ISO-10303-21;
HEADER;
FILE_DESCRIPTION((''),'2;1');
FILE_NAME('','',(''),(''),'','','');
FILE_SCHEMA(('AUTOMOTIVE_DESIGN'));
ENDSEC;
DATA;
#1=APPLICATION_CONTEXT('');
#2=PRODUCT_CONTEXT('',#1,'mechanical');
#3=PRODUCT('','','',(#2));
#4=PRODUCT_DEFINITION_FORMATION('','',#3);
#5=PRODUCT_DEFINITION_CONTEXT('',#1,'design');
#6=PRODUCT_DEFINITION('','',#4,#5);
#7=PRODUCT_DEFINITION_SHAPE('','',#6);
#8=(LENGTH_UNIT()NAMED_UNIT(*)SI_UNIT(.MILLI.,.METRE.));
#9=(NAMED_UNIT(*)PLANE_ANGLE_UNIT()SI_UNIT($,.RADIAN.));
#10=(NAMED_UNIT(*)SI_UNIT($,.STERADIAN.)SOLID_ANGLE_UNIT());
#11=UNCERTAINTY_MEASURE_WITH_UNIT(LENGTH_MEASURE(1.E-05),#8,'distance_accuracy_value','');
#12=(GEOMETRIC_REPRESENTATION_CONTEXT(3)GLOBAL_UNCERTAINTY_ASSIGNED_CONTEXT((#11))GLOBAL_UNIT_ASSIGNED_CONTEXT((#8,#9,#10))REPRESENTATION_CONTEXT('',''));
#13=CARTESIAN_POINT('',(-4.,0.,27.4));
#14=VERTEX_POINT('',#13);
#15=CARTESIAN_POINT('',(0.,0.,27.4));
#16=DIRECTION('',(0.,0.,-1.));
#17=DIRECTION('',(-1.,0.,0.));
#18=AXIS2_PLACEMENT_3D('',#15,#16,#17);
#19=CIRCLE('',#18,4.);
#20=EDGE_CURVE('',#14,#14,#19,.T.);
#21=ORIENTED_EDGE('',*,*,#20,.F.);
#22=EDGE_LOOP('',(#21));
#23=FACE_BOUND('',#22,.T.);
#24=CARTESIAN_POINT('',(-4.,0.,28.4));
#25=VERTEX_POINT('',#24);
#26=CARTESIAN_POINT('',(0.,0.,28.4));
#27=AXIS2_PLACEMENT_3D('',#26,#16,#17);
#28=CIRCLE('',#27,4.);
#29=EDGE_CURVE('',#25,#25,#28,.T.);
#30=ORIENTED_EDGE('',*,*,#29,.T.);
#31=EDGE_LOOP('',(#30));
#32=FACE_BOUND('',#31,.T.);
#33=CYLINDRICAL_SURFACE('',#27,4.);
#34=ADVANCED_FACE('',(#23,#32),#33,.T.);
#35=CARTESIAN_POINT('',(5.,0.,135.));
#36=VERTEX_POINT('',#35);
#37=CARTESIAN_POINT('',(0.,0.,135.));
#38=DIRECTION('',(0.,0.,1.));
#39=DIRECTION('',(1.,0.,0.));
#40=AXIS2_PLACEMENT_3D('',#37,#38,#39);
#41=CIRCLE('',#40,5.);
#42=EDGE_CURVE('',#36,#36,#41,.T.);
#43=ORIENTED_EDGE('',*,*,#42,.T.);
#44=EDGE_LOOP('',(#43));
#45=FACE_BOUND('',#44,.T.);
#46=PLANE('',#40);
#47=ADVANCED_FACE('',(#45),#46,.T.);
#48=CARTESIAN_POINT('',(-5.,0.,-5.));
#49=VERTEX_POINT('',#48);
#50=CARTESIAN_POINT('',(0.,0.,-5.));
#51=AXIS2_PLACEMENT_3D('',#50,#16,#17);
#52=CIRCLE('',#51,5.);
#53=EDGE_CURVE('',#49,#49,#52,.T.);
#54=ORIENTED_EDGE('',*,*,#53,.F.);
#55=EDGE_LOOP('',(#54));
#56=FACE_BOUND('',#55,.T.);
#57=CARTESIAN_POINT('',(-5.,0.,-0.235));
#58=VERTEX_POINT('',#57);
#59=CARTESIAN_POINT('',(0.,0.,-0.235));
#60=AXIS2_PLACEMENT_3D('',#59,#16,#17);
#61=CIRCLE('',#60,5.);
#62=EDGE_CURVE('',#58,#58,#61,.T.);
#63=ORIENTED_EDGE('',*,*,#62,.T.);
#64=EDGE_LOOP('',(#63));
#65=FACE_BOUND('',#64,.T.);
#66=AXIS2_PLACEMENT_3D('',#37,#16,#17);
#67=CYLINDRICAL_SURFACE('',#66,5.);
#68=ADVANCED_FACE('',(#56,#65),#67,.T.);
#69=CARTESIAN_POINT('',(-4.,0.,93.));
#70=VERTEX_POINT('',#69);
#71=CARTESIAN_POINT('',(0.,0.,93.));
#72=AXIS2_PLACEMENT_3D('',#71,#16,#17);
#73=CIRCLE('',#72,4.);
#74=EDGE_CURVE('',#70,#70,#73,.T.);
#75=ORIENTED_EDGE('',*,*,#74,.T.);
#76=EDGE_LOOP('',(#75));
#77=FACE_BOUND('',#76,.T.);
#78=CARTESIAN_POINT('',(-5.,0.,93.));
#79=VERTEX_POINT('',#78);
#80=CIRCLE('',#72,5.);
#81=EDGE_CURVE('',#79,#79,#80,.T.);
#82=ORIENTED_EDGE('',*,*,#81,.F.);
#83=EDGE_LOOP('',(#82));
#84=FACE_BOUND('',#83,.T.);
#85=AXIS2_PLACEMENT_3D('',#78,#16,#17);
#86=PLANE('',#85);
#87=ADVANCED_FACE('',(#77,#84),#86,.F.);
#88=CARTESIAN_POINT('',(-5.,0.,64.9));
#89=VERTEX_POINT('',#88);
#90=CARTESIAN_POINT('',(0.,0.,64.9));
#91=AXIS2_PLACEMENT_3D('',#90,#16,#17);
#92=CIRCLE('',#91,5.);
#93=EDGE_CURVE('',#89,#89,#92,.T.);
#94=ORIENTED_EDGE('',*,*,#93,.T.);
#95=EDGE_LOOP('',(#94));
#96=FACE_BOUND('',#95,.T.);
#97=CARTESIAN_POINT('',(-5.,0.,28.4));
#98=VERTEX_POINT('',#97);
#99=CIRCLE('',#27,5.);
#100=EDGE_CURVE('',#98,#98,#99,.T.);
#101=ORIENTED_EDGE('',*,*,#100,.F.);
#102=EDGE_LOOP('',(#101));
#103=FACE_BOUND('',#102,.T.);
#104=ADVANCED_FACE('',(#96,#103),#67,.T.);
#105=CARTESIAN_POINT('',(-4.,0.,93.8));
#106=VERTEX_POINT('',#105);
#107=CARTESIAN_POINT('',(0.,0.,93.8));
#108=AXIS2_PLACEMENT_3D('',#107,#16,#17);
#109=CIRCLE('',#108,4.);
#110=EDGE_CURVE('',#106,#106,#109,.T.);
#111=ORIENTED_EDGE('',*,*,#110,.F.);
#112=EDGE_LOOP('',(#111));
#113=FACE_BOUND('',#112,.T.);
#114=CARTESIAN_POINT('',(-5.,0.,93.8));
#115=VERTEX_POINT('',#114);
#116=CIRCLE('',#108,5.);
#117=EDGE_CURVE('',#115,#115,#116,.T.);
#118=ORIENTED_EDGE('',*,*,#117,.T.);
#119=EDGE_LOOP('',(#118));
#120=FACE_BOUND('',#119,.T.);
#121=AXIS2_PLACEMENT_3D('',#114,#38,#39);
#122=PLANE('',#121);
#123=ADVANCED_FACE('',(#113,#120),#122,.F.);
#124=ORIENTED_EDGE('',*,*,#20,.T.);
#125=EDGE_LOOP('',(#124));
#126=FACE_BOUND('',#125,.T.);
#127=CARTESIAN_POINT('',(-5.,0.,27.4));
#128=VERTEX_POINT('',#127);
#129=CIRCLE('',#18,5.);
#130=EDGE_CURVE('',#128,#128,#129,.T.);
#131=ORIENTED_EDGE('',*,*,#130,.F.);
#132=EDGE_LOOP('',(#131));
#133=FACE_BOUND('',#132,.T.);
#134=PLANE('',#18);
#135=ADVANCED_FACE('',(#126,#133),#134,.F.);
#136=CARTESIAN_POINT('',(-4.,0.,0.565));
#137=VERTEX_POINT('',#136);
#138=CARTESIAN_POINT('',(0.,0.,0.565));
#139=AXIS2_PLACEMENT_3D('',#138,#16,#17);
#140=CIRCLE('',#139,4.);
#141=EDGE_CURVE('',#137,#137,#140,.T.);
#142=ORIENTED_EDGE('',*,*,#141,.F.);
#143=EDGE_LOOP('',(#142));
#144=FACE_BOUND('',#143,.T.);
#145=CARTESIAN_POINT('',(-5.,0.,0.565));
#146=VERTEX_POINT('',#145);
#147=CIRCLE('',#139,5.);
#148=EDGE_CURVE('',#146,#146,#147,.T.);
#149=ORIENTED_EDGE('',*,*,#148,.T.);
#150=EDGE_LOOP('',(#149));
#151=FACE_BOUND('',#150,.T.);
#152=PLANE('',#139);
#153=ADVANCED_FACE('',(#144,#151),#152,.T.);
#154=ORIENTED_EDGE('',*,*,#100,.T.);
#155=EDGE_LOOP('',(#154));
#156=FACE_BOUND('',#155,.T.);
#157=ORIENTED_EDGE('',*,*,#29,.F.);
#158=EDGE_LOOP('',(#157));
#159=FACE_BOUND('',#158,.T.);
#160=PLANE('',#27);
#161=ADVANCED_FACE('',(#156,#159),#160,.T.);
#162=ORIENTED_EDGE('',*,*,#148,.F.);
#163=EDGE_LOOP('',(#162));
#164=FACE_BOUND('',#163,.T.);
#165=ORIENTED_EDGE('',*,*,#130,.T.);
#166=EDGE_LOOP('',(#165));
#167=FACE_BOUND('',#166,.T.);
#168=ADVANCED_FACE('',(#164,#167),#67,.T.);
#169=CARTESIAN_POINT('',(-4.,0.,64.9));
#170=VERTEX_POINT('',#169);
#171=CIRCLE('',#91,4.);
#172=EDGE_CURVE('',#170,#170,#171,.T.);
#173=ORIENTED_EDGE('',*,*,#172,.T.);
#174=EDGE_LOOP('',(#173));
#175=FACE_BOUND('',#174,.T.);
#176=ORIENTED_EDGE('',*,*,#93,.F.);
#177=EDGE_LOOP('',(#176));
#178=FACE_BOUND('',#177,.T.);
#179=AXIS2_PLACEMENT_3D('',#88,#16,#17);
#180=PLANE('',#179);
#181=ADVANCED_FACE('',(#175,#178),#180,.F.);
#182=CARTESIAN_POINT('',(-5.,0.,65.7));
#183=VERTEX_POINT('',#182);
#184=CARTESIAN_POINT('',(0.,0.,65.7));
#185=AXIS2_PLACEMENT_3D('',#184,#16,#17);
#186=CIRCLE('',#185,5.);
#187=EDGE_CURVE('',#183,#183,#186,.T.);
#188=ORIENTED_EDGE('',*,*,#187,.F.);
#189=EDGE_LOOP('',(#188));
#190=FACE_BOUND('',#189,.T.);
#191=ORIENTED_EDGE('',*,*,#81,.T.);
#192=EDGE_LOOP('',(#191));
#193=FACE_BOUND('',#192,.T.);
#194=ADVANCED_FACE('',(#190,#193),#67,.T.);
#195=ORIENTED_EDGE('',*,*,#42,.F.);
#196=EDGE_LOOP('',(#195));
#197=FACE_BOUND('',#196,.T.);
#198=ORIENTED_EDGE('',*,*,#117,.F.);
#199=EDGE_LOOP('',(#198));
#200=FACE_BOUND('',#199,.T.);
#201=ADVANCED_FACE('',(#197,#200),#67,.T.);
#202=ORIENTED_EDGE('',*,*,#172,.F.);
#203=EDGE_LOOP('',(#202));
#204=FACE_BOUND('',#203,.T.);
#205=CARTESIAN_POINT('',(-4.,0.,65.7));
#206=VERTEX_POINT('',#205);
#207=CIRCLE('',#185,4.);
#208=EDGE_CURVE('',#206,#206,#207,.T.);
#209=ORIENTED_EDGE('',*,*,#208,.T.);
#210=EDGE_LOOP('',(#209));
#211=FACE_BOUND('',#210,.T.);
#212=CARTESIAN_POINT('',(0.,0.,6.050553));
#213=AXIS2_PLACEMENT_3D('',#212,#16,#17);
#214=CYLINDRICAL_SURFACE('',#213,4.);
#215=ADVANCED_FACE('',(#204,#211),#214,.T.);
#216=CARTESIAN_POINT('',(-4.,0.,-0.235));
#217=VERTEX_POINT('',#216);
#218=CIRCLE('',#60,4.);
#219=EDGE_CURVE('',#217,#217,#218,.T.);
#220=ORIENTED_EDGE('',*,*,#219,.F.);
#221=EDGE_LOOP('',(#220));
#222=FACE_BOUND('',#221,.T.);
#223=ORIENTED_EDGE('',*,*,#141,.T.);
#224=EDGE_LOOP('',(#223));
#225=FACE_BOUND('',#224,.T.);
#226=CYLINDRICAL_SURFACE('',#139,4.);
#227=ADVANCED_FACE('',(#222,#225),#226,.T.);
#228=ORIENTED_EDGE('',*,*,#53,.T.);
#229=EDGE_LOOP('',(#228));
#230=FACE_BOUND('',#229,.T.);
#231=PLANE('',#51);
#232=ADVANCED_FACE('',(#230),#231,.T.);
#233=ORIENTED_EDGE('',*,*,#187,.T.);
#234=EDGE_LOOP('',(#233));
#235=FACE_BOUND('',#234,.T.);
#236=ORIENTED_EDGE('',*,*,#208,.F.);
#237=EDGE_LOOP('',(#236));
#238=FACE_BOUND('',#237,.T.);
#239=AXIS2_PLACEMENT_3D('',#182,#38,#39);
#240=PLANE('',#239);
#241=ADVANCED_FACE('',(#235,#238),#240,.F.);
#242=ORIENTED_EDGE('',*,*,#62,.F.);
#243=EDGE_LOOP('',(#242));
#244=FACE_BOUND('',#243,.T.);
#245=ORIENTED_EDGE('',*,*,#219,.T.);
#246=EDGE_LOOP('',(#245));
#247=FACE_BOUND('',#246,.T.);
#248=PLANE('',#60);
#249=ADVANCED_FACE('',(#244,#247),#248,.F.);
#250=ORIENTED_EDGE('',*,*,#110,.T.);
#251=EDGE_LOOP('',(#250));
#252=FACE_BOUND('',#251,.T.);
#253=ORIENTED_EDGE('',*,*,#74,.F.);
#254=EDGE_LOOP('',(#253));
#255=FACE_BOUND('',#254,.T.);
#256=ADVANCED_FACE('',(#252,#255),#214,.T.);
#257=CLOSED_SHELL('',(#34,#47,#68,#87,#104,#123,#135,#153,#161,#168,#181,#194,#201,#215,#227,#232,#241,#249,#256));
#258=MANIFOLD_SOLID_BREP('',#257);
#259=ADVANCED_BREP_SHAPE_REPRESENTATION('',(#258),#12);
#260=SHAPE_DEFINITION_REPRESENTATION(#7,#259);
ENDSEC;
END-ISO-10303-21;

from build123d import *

# Parameters (mm, degrees)
SKETCH1_R           = 5
BOSS_EXTRUDE1_DEPTH = 135
SKETCH2_W           = 1
SKETCH2_H           = 0.8
BOSS_EXTRUDE2_START = 5
SKETCH3_R           = 5
BOSS_EXTRUDE2_DEPTH = 5
SKETCH4_R           = 5
SKETCH4_R_2         = 4
CUT_EXTRUDE1_DEPTH  = 0.8
SKETCH5_R           = 5
SKETCH5_R_2         = 4
CUT_EXTRUDE2_DEPTH  = 1


with BuildPart() as part:
    # Sketch1 → Boss-Extrude1 (new body)
    with BuildSketch(Plane.XY):
        Circle(SKETCH1_R)
    extrude(amount=BOSS_EXTRUDE1_DEPTH)

    # Sketch2 → Cut-Revolve1 (revolve, cut)
    with BuildSketch(Plane(origin=(0, 0, 0), x_dir=(1, 0, 0), z_dir=(0, 1, 0))):
        with Locations((-4.5, -65.3)):
            Rectangle(SKETCH2_W, SKETCH2_H)
        with Locations((-4.5, -93.4)):
            Rectangle(SKETCH2_W, SKETCH2_H)
    revolve(axis=Axis((0, 0, 6.050553304), (0, 0, 1)), mode=Mode.SUBTRACT)

    # Sketch3 → Boss-Extrude2 (add)
    with BuildSketch(Plane(origin=(0, 0, 0), x_dir=(-1, 0, 0), z_dir=(0, 0, -1)).offset(BOSS_EXTRUDE2_START)):
        Circle(SKETCH3_R)
    extrude(amount=-BOSS_EXTRUDE2_DEPTH)

    # Sketch4 → Cut-Extrude1 (cut)
    with BuildSketch(Plane(origin=(-672.545878218, -100.484437541, -0.235), x_dir=(-0.3247374432468007, 0.945804204343336, 0), z_dir=(0, 0, -1))):
        with Locations(Location((-123.362225461, 668.727778566, 0), (0, 0, 288.949668831))):
            Circle(SKETCH4_R)
        with Locations(Location((-123.362225461, 668.727778566, 0), (0, 0, 288.949668831))):
            Circle(SKETCH4_R_2, mode=Mode.SUBTRACT)
    extrude(amount=-CUT_EXTRUDE1_DEPTH, mode=Mode.SUBTRACT)

    # Sketch5 → Cut-Extrude2 (cut)
    with BuildSketch(Plane(origin=(-672.545878218, -100.484437541, 27.4), x_dir=(-0.3247374432468007, 0.945804204343336, 0), z_dir=(0, 0, -1))):
        with Locations(Location((-123.362225461, 668.727778566, 0), (0, 0, 288.949668831))):
            Circle(SKETCH5_R)
        with Locations(Location((-123.362225461, 668.727778566, 0), (0, 0, 288.949668831))):
            Circle(SKETCH5_R_2, mode=Mode.SUBTRACT)
    extrude(amount=-CUT_EXTRUDE2_DEPTH, mode=Mode.SUBTRACT)


solid = part.part
